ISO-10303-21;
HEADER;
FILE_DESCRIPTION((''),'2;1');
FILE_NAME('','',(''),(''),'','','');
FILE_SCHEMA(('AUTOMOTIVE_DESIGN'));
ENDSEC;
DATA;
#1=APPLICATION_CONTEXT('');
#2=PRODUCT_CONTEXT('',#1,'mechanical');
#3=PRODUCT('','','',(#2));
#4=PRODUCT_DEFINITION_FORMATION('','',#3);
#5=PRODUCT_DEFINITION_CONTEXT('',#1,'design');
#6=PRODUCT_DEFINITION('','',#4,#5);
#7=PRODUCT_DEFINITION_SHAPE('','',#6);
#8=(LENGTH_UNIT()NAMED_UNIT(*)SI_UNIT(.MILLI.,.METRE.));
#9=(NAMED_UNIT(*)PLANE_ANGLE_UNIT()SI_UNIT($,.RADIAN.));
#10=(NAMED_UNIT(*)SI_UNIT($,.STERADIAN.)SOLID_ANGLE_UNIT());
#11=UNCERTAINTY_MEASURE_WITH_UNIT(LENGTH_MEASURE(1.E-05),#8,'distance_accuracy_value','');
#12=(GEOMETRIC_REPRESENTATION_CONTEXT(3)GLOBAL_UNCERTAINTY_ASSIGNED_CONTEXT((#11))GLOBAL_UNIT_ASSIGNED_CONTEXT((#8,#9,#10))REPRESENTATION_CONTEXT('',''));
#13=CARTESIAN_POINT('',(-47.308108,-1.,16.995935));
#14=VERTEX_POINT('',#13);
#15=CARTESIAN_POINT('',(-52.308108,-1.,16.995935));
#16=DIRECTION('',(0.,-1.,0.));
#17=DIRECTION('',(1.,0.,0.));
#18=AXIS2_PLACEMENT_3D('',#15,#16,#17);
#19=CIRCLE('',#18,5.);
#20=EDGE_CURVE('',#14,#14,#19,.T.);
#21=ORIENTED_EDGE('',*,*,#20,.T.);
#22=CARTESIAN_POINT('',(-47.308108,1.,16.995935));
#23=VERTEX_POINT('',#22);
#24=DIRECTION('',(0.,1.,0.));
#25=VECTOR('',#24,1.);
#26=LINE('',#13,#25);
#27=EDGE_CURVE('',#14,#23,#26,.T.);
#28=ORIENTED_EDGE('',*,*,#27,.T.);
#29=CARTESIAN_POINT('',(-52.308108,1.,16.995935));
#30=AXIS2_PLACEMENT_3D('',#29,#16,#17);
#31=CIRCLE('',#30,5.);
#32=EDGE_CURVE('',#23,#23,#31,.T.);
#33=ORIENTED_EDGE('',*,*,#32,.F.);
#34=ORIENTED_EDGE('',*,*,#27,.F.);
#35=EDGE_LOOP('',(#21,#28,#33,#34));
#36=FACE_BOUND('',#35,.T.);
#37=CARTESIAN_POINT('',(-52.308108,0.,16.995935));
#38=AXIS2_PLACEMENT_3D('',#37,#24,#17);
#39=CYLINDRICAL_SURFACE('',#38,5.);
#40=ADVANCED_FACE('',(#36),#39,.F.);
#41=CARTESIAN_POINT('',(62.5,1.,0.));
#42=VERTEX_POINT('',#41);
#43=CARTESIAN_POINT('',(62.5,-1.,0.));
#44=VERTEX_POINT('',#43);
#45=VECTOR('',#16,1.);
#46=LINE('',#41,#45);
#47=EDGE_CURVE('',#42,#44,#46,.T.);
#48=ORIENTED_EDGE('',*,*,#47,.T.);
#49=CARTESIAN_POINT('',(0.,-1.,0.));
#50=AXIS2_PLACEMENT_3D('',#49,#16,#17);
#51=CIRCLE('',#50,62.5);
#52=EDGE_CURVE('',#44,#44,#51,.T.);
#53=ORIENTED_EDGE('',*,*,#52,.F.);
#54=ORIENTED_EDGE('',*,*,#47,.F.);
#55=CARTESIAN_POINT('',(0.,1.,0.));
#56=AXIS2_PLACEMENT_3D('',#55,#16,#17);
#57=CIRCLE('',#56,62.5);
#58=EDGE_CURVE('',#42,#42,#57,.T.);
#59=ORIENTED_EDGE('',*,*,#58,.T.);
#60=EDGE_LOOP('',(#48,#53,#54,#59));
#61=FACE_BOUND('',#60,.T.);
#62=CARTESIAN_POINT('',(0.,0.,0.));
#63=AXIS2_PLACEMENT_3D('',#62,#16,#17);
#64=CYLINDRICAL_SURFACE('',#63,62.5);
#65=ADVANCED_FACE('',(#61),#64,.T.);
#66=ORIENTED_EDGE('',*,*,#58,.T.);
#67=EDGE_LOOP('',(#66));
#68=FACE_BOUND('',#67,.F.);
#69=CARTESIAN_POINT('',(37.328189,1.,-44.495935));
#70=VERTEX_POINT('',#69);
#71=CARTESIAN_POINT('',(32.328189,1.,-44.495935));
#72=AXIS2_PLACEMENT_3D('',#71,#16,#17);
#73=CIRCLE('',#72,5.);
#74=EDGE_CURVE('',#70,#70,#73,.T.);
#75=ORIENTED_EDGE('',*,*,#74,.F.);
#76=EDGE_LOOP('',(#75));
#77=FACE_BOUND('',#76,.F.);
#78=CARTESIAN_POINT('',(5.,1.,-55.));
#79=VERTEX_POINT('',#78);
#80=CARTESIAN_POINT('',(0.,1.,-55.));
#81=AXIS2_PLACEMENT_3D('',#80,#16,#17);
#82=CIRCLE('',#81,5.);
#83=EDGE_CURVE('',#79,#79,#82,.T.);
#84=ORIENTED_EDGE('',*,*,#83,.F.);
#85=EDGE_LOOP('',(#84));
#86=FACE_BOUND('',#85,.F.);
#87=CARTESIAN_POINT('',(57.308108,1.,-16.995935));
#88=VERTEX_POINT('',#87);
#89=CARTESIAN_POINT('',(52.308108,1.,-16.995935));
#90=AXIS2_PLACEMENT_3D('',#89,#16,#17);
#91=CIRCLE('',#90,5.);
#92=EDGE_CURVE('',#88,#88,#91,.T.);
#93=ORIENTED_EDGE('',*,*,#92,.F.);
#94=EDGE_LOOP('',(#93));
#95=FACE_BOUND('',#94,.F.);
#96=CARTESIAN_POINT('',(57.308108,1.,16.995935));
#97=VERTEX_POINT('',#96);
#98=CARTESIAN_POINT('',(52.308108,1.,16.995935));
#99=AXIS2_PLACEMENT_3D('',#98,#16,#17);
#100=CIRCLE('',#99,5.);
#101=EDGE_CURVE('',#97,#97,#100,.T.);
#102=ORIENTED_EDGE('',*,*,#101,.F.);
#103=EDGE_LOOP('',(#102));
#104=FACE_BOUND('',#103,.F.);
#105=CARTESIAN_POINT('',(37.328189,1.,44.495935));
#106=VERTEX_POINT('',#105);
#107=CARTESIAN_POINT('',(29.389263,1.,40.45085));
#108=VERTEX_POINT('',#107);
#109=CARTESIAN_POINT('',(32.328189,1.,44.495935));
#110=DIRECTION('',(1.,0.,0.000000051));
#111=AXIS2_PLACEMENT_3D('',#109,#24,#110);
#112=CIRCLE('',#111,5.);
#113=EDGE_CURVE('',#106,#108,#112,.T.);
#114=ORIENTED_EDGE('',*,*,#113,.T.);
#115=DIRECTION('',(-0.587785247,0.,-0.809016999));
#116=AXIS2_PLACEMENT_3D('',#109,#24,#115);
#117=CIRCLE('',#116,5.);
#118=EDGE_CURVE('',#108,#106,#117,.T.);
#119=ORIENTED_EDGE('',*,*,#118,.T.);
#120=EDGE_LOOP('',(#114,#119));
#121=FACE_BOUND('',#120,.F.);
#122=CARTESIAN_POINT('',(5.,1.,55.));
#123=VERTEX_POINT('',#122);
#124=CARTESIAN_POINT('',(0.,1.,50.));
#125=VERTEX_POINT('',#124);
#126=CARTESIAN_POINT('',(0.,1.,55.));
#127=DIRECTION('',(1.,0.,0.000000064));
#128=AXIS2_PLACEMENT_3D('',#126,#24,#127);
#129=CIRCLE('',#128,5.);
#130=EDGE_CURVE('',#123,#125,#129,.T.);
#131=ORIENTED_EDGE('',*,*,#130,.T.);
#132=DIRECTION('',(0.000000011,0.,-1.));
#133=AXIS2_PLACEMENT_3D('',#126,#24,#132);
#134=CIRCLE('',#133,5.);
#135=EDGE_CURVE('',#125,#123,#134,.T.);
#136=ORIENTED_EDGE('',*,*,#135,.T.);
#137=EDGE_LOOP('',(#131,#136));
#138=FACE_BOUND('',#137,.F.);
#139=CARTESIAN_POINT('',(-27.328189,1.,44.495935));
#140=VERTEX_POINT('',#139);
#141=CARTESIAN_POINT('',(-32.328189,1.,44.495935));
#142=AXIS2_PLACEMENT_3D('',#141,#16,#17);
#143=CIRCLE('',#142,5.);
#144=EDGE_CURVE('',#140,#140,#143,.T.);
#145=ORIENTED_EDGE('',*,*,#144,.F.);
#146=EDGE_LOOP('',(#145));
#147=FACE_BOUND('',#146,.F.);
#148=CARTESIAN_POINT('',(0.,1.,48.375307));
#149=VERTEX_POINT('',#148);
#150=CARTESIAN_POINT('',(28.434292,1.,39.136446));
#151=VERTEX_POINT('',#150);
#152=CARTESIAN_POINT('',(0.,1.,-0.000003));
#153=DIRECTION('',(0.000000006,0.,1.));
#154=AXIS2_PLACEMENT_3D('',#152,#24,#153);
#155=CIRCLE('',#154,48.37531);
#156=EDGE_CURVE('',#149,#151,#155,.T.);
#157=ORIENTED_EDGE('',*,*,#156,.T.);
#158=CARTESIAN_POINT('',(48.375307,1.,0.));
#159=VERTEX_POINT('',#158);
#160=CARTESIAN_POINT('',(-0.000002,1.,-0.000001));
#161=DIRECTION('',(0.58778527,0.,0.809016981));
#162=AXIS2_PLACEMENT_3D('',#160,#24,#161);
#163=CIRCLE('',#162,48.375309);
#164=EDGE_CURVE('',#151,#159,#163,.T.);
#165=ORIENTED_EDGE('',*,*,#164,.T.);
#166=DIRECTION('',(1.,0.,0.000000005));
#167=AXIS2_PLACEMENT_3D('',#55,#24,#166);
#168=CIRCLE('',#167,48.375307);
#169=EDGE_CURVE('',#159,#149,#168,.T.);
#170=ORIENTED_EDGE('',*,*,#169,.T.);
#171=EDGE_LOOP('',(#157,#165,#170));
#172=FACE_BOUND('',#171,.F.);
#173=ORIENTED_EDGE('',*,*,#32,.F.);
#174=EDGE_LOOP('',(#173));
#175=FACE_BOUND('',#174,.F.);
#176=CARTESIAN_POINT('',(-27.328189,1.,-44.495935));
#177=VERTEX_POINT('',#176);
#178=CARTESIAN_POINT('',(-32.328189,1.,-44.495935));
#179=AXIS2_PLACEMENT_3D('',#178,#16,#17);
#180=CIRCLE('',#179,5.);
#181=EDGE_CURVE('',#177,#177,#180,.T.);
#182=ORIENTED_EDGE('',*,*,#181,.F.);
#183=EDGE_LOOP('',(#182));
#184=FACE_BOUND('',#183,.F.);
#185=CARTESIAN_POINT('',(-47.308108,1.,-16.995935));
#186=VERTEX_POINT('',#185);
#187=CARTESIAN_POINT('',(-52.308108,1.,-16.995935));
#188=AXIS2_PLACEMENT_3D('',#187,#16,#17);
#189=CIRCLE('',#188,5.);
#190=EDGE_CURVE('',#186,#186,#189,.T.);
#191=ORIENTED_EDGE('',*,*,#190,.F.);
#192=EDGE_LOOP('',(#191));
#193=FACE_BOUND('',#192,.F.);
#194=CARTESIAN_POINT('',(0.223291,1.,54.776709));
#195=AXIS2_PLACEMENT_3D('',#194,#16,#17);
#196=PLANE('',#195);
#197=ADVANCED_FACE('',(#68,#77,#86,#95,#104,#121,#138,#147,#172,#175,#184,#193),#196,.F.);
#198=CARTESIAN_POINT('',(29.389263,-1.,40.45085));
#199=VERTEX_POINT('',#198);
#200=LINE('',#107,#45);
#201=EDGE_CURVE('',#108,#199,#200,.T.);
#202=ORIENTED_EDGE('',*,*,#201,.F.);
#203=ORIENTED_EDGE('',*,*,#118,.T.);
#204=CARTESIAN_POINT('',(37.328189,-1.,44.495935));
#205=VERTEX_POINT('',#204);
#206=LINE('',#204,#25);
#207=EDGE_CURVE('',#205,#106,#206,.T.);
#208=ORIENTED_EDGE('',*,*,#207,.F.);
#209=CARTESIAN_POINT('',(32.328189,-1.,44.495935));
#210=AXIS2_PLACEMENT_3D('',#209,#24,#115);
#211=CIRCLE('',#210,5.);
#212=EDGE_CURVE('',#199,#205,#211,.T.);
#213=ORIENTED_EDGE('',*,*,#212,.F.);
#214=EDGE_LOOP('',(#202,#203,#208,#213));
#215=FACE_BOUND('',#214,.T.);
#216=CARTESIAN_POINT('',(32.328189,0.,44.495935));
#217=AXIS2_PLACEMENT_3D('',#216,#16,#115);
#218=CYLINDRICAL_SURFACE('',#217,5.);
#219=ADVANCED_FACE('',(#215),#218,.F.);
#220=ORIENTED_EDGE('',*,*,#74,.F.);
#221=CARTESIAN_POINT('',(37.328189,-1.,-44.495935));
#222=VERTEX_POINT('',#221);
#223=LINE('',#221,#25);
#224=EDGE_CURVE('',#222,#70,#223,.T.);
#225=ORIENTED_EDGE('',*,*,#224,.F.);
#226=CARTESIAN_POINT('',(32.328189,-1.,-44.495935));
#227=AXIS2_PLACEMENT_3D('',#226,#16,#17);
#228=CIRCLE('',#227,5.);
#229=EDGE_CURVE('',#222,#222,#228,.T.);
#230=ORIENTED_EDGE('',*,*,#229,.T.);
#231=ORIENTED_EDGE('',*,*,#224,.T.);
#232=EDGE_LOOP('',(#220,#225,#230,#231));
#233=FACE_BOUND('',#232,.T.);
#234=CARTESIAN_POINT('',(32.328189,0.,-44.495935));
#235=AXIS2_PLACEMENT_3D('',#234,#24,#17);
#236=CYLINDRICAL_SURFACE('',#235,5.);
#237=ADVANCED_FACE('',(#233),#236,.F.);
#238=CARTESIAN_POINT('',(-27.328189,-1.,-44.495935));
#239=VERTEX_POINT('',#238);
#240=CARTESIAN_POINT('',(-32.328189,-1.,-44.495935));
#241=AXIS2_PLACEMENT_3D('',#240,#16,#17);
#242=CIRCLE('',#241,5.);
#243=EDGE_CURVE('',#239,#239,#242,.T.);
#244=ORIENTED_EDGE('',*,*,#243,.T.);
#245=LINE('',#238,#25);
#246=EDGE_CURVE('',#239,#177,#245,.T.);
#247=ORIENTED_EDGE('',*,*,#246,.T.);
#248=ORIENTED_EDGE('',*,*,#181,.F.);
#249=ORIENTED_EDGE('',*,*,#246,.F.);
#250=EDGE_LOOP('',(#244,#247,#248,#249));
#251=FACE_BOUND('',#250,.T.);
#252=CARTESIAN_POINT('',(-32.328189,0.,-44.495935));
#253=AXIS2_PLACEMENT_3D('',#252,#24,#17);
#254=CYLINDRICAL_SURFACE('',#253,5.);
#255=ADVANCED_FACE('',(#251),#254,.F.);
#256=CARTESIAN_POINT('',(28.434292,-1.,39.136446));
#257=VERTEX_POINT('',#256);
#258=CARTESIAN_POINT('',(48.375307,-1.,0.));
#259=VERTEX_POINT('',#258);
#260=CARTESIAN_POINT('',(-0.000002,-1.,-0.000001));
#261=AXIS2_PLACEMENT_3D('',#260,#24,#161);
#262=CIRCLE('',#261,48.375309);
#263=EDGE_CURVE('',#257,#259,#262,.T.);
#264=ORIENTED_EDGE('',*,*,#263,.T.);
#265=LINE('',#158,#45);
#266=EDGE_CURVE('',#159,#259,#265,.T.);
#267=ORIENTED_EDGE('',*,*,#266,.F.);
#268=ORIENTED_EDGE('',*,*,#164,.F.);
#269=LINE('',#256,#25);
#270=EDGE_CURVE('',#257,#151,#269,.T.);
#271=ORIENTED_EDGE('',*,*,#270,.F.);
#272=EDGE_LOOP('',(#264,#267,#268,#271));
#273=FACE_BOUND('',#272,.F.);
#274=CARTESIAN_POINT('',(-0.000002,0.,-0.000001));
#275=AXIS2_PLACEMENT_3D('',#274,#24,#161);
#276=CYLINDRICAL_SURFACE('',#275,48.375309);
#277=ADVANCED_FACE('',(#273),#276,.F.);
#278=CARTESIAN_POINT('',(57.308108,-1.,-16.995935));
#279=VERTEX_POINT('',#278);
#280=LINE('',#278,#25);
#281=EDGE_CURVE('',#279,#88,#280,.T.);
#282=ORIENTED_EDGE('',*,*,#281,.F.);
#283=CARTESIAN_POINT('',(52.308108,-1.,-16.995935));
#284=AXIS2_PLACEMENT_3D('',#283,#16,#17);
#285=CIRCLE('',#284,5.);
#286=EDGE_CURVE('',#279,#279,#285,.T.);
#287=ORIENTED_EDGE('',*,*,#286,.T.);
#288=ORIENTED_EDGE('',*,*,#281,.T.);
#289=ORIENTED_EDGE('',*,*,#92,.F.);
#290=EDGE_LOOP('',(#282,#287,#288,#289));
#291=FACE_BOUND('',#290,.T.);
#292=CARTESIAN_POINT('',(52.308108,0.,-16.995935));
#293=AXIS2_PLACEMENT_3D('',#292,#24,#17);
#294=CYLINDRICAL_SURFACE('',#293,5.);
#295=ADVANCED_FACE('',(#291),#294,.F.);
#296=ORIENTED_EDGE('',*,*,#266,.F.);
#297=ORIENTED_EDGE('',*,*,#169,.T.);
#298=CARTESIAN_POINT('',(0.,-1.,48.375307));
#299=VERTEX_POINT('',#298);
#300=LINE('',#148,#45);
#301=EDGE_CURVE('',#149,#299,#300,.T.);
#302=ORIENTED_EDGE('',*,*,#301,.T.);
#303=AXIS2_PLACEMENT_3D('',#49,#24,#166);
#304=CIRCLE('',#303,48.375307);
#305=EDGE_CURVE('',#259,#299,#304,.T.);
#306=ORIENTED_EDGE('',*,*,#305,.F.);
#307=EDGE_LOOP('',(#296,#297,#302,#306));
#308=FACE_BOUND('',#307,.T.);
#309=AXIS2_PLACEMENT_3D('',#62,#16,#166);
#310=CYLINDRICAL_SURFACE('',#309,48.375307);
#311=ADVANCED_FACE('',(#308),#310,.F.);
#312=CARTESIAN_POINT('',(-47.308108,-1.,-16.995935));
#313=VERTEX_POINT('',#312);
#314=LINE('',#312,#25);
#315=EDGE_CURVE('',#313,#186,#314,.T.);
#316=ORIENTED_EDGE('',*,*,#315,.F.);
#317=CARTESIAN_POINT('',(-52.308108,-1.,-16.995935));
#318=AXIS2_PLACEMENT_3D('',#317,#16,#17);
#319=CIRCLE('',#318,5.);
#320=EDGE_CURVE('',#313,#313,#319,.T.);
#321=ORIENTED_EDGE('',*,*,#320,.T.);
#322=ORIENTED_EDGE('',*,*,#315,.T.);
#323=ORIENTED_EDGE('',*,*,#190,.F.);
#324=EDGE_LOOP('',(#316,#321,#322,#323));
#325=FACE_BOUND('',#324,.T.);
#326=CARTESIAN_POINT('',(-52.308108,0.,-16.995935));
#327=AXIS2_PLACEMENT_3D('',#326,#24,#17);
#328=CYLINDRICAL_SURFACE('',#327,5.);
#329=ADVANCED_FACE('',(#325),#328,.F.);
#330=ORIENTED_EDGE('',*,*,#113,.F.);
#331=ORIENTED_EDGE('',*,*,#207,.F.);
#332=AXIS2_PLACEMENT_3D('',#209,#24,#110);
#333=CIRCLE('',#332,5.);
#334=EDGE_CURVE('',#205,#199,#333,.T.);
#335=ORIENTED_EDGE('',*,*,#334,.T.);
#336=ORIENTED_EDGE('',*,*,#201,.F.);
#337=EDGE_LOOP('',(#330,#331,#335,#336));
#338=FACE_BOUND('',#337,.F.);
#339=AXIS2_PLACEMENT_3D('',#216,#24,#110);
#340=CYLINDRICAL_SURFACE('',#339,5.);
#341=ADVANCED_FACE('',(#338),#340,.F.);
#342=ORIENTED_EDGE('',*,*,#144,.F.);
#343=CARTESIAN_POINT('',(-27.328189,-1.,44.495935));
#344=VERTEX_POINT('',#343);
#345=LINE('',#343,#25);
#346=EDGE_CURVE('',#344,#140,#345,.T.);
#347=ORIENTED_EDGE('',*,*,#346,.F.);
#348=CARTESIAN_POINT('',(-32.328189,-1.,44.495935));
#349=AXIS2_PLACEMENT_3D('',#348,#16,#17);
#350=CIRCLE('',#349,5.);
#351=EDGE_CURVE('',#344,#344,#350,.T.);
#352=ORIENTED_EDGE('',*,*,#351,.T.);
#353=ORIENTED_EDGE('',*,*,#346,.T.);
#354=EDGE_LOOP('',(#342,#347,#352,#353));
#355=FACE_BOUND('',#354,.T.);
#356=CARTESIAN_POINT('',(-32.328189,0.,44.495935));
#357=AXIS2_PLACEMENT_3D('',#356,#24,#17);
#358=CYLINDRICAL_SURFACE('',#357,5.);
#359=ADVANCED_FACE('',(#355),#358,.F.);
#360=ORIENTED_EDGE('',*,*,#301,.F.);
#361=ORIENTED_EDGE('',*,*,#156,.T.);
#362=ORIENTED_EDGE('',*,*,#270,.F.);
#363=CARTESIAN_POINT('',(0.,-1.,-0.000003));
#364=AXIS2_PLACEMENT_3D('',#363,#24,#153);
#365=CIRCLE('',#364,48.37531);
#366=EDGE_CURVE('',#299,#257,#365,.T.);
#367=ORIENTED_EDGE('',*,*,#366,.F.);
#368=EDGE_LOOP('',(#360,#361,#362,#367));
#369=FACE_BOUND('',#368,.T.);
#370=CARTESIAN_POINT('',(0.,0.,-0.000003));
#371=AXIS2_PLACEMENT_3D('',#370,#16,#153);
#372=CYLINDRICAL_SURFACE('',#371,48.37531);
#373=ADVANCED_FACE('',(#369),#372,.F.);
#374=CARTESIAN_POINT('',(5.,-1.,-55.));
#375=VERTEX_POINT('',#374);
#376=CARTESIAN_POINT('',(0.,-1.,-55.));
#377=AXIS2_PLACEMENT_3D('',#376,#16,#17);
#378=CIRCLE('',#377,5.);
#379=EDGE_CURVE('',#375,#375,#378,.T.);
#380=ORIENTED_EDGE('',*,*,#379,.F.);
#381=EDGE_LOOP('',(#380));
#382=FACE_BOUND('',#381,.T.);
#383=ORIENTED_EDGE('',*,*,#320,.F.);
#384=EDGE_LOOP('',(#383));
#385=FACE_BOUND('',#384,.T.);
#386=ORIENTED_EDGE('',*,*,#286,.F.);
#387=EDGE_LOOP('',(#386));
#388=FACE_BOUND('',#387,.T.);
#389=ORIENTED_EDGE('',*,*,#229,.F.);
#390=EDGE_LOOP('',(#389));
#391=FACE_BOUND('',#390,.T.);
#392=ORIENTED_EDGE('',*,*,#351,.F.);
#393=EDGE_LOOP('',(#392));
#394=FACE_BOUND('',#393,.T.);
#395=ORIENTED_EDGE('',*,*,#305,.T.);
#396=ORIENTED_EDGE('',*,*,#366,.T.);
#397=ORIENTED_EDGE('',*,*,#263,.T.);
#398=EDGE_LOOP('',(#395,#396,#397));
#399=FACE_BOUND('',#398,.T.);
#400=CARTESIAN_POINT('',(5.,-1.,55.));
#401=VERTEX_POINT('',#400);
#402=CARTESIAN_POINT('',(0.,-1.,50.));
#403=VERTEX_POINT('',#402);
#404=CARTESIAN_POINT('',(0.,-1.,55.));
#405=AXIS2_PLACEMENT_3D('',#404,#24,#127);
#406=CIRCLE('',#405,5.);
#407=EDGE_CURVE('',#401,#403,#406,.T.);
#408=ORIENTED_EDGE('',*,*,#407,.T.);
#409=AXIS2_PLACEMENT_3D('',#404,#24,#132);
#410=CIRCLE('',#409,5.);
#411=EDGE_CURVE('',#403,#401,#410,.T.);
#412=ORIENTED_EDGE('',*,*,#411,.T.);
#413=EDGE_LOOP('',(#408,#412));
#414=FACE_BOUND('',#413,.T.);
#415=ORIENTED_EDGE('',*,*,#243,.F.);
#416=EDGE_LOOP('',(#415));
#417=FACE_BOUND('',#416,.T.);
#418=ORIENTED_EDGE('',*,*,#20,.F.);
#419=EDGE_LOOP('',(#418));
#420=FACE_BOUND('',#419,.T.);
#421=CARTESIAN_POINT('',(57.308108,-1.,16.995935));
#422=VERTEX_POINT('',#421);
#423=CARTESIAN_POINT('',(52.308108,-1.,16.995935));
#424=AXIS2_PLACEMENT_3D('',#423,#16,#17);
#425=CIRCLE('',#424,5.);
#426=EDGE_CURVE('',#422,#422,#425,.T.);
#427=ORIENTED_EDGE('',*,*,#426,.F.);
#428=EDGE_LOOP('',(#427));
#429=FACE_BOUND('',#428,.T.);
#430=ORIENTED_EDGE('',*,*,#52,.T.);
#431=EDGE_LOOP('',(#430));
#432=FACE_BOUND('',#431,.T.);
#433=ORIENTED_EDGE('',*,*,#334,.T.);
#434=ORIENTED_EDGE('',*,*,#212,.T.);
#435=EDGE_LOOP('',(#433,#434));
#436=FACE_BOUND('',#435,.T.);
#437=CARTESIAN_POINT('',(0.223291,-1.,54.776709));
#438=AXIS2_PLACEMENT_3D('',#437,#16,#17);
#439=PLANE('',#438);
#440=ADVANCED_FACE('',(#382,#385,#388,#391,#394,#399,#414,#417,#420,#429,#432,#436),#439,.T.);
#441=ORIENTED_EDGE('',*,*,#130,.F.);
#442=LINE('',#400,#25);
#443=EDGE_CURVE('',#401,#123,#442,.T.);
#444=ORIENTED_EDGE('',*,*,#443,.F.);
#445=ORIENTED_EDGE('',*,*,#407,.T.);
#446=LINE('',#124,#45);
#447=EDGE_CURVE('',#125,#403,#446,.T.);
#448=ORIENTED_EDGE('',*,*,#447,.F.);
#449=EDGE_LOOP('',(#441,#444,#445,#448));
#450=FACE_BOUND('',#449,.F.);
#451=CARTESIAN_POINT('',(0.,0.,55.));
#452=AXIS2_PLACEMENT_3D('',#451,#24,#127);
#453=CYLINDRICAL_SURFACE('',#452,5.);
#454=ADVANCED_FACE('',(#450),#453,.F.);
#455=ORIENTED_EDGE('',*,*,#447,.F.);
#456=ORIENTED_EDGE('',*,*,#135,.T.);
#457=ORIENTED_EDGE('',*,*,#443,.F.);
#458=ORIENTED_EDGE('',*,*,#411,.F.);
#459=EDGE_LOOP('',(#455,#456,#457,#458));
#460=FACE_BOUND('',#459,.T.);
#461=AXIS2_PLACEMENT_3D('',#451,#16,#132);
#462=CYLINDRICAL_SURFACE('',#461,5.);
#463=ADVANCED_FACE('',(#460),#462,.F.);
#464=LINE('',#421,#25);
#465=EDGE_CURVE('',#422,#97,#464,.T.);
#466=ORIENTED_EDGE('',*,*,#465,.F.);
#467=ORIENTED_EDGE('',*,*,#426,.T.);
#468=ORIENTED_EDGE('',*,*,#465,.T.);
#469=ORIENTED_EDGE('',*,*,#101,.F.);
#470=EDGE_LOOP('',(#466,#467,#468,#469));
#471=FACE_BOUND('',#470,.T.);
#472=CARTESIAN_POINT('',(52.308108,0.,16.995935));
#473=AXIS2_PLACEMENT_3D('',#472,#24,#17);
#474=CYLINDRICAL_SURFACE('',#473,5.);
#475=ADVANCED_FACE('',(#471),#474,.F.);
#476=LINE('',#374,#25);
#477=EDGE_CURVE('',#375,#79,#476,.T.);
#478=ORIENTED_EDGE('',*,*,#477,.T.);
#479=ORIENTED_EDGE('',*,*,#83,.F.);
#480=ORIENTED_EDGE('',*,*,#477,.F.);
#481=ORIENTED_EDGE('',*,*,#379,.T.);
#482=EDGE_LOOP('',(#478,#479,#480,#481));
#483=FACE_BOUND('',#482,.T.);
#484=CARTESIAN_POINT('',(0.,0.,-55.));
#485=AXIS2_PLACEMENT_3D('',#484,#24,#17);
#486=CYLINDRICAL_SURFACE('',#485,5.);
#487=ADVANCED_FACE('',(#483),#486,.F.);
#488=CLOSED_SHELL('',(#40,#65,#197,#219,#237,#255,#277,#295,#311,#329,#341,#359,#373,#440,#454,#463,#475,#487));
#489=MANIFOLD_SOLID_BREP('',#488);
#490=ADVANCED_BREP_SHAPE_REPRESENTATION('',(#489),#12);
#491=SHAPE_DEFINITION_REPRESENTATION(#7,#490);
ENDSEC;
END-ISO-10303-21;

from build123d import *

# Parameters (mm, degrees)
F0_R     = 62.5
F0_R_2   = 5
F1_DEPTH = 1


with BuildPart() as f1:
    # F0 (on Front) → F1 (new body, symmetric)
    with BuildSketch(Plane.XZ):
        with BuildLine():
            ThreePointArc((5, 55), (-3.535534, 58.535534), (0, 50))
            ThreePointArc((0, 50), (3.535534, 51.464466), (5, 55))
        make_face()
        with BuildLine():
            ThreePointArc((37.328189, 44.495935), (30.058236, 48.950967), (29.389263, 40.45085))
            ThreePointArc((29.389263, 40.45085), (34.598141, 40.040902), (37.328189, 44.495935))
        make_face()
        Circle(F0_R)
        with Locations((-32.328189, -44.495935)):
            Circle(F0_R_2, mode=Mode.SUBTRACT)
        with Locations((-52.308108, -16.995935)):
            Circle(F0_R_2, mode=Mode.SUBTRACT)
        with Locations((0, -55)):
            Circle(F0_R_2, mode=Mode.SUBTRACT)
        with Locations((32.328189, -44.495935)):
            Circle(F0_R_2, mode=Mode.SUBTRACT)
        with Locations((52.308108, -16.995935)):
            Circle(F0_R_2, mode=Mode.SUBTRACT)
        with Locations((-52.308108, 16.995935)):
            Circle(F0_R_2, mode=Mode.SUBTRACT)
        with Locations((-32.328189, 44.495935)):
            Circle(F0_R_2, mode=Mode.SUBTRACT)
        with BuildLine():
            ThreePointArc((28.434292, 39.136446), (43.102714, 21.96193), (48.375307, 0))
            ThreePointArc((48.375307, 0), (-34.206508, -34.206508), (0, 48.375307))
            ThreePointArc((0, 48.375307), (14.948792, 46.007651), (28.434292, 39.136446))
        make_face(mode=Mode.SUBTRACT)
        with Locations((52.308108, 16.995935)):
            Circle(F0_R_2, mode=Mode.SUBTRACT)
        with BuildLine():
            ThreePointArc((5, 55), (3.535534, 51.464466), (0, 50))
            ThreePointArc((0, 50), (-3.535534, 58.535534), (5, 55))
        make_face(mode=Mode.SUBTRACT)
        with BuildLine():
            ThreePointArc((37.328189, 44.495935), (34.598141, 40.040902), (29.389263, 40.45085))
            ThreePointArc((29.389263, 40.45085), (30.058236, 48.950967), (37.328189, 44.495935))
        make_face(mode=Mode.SUBTRACT)
    extrude(amount=F1_DEPTH, both=True)


solid = f1.part
